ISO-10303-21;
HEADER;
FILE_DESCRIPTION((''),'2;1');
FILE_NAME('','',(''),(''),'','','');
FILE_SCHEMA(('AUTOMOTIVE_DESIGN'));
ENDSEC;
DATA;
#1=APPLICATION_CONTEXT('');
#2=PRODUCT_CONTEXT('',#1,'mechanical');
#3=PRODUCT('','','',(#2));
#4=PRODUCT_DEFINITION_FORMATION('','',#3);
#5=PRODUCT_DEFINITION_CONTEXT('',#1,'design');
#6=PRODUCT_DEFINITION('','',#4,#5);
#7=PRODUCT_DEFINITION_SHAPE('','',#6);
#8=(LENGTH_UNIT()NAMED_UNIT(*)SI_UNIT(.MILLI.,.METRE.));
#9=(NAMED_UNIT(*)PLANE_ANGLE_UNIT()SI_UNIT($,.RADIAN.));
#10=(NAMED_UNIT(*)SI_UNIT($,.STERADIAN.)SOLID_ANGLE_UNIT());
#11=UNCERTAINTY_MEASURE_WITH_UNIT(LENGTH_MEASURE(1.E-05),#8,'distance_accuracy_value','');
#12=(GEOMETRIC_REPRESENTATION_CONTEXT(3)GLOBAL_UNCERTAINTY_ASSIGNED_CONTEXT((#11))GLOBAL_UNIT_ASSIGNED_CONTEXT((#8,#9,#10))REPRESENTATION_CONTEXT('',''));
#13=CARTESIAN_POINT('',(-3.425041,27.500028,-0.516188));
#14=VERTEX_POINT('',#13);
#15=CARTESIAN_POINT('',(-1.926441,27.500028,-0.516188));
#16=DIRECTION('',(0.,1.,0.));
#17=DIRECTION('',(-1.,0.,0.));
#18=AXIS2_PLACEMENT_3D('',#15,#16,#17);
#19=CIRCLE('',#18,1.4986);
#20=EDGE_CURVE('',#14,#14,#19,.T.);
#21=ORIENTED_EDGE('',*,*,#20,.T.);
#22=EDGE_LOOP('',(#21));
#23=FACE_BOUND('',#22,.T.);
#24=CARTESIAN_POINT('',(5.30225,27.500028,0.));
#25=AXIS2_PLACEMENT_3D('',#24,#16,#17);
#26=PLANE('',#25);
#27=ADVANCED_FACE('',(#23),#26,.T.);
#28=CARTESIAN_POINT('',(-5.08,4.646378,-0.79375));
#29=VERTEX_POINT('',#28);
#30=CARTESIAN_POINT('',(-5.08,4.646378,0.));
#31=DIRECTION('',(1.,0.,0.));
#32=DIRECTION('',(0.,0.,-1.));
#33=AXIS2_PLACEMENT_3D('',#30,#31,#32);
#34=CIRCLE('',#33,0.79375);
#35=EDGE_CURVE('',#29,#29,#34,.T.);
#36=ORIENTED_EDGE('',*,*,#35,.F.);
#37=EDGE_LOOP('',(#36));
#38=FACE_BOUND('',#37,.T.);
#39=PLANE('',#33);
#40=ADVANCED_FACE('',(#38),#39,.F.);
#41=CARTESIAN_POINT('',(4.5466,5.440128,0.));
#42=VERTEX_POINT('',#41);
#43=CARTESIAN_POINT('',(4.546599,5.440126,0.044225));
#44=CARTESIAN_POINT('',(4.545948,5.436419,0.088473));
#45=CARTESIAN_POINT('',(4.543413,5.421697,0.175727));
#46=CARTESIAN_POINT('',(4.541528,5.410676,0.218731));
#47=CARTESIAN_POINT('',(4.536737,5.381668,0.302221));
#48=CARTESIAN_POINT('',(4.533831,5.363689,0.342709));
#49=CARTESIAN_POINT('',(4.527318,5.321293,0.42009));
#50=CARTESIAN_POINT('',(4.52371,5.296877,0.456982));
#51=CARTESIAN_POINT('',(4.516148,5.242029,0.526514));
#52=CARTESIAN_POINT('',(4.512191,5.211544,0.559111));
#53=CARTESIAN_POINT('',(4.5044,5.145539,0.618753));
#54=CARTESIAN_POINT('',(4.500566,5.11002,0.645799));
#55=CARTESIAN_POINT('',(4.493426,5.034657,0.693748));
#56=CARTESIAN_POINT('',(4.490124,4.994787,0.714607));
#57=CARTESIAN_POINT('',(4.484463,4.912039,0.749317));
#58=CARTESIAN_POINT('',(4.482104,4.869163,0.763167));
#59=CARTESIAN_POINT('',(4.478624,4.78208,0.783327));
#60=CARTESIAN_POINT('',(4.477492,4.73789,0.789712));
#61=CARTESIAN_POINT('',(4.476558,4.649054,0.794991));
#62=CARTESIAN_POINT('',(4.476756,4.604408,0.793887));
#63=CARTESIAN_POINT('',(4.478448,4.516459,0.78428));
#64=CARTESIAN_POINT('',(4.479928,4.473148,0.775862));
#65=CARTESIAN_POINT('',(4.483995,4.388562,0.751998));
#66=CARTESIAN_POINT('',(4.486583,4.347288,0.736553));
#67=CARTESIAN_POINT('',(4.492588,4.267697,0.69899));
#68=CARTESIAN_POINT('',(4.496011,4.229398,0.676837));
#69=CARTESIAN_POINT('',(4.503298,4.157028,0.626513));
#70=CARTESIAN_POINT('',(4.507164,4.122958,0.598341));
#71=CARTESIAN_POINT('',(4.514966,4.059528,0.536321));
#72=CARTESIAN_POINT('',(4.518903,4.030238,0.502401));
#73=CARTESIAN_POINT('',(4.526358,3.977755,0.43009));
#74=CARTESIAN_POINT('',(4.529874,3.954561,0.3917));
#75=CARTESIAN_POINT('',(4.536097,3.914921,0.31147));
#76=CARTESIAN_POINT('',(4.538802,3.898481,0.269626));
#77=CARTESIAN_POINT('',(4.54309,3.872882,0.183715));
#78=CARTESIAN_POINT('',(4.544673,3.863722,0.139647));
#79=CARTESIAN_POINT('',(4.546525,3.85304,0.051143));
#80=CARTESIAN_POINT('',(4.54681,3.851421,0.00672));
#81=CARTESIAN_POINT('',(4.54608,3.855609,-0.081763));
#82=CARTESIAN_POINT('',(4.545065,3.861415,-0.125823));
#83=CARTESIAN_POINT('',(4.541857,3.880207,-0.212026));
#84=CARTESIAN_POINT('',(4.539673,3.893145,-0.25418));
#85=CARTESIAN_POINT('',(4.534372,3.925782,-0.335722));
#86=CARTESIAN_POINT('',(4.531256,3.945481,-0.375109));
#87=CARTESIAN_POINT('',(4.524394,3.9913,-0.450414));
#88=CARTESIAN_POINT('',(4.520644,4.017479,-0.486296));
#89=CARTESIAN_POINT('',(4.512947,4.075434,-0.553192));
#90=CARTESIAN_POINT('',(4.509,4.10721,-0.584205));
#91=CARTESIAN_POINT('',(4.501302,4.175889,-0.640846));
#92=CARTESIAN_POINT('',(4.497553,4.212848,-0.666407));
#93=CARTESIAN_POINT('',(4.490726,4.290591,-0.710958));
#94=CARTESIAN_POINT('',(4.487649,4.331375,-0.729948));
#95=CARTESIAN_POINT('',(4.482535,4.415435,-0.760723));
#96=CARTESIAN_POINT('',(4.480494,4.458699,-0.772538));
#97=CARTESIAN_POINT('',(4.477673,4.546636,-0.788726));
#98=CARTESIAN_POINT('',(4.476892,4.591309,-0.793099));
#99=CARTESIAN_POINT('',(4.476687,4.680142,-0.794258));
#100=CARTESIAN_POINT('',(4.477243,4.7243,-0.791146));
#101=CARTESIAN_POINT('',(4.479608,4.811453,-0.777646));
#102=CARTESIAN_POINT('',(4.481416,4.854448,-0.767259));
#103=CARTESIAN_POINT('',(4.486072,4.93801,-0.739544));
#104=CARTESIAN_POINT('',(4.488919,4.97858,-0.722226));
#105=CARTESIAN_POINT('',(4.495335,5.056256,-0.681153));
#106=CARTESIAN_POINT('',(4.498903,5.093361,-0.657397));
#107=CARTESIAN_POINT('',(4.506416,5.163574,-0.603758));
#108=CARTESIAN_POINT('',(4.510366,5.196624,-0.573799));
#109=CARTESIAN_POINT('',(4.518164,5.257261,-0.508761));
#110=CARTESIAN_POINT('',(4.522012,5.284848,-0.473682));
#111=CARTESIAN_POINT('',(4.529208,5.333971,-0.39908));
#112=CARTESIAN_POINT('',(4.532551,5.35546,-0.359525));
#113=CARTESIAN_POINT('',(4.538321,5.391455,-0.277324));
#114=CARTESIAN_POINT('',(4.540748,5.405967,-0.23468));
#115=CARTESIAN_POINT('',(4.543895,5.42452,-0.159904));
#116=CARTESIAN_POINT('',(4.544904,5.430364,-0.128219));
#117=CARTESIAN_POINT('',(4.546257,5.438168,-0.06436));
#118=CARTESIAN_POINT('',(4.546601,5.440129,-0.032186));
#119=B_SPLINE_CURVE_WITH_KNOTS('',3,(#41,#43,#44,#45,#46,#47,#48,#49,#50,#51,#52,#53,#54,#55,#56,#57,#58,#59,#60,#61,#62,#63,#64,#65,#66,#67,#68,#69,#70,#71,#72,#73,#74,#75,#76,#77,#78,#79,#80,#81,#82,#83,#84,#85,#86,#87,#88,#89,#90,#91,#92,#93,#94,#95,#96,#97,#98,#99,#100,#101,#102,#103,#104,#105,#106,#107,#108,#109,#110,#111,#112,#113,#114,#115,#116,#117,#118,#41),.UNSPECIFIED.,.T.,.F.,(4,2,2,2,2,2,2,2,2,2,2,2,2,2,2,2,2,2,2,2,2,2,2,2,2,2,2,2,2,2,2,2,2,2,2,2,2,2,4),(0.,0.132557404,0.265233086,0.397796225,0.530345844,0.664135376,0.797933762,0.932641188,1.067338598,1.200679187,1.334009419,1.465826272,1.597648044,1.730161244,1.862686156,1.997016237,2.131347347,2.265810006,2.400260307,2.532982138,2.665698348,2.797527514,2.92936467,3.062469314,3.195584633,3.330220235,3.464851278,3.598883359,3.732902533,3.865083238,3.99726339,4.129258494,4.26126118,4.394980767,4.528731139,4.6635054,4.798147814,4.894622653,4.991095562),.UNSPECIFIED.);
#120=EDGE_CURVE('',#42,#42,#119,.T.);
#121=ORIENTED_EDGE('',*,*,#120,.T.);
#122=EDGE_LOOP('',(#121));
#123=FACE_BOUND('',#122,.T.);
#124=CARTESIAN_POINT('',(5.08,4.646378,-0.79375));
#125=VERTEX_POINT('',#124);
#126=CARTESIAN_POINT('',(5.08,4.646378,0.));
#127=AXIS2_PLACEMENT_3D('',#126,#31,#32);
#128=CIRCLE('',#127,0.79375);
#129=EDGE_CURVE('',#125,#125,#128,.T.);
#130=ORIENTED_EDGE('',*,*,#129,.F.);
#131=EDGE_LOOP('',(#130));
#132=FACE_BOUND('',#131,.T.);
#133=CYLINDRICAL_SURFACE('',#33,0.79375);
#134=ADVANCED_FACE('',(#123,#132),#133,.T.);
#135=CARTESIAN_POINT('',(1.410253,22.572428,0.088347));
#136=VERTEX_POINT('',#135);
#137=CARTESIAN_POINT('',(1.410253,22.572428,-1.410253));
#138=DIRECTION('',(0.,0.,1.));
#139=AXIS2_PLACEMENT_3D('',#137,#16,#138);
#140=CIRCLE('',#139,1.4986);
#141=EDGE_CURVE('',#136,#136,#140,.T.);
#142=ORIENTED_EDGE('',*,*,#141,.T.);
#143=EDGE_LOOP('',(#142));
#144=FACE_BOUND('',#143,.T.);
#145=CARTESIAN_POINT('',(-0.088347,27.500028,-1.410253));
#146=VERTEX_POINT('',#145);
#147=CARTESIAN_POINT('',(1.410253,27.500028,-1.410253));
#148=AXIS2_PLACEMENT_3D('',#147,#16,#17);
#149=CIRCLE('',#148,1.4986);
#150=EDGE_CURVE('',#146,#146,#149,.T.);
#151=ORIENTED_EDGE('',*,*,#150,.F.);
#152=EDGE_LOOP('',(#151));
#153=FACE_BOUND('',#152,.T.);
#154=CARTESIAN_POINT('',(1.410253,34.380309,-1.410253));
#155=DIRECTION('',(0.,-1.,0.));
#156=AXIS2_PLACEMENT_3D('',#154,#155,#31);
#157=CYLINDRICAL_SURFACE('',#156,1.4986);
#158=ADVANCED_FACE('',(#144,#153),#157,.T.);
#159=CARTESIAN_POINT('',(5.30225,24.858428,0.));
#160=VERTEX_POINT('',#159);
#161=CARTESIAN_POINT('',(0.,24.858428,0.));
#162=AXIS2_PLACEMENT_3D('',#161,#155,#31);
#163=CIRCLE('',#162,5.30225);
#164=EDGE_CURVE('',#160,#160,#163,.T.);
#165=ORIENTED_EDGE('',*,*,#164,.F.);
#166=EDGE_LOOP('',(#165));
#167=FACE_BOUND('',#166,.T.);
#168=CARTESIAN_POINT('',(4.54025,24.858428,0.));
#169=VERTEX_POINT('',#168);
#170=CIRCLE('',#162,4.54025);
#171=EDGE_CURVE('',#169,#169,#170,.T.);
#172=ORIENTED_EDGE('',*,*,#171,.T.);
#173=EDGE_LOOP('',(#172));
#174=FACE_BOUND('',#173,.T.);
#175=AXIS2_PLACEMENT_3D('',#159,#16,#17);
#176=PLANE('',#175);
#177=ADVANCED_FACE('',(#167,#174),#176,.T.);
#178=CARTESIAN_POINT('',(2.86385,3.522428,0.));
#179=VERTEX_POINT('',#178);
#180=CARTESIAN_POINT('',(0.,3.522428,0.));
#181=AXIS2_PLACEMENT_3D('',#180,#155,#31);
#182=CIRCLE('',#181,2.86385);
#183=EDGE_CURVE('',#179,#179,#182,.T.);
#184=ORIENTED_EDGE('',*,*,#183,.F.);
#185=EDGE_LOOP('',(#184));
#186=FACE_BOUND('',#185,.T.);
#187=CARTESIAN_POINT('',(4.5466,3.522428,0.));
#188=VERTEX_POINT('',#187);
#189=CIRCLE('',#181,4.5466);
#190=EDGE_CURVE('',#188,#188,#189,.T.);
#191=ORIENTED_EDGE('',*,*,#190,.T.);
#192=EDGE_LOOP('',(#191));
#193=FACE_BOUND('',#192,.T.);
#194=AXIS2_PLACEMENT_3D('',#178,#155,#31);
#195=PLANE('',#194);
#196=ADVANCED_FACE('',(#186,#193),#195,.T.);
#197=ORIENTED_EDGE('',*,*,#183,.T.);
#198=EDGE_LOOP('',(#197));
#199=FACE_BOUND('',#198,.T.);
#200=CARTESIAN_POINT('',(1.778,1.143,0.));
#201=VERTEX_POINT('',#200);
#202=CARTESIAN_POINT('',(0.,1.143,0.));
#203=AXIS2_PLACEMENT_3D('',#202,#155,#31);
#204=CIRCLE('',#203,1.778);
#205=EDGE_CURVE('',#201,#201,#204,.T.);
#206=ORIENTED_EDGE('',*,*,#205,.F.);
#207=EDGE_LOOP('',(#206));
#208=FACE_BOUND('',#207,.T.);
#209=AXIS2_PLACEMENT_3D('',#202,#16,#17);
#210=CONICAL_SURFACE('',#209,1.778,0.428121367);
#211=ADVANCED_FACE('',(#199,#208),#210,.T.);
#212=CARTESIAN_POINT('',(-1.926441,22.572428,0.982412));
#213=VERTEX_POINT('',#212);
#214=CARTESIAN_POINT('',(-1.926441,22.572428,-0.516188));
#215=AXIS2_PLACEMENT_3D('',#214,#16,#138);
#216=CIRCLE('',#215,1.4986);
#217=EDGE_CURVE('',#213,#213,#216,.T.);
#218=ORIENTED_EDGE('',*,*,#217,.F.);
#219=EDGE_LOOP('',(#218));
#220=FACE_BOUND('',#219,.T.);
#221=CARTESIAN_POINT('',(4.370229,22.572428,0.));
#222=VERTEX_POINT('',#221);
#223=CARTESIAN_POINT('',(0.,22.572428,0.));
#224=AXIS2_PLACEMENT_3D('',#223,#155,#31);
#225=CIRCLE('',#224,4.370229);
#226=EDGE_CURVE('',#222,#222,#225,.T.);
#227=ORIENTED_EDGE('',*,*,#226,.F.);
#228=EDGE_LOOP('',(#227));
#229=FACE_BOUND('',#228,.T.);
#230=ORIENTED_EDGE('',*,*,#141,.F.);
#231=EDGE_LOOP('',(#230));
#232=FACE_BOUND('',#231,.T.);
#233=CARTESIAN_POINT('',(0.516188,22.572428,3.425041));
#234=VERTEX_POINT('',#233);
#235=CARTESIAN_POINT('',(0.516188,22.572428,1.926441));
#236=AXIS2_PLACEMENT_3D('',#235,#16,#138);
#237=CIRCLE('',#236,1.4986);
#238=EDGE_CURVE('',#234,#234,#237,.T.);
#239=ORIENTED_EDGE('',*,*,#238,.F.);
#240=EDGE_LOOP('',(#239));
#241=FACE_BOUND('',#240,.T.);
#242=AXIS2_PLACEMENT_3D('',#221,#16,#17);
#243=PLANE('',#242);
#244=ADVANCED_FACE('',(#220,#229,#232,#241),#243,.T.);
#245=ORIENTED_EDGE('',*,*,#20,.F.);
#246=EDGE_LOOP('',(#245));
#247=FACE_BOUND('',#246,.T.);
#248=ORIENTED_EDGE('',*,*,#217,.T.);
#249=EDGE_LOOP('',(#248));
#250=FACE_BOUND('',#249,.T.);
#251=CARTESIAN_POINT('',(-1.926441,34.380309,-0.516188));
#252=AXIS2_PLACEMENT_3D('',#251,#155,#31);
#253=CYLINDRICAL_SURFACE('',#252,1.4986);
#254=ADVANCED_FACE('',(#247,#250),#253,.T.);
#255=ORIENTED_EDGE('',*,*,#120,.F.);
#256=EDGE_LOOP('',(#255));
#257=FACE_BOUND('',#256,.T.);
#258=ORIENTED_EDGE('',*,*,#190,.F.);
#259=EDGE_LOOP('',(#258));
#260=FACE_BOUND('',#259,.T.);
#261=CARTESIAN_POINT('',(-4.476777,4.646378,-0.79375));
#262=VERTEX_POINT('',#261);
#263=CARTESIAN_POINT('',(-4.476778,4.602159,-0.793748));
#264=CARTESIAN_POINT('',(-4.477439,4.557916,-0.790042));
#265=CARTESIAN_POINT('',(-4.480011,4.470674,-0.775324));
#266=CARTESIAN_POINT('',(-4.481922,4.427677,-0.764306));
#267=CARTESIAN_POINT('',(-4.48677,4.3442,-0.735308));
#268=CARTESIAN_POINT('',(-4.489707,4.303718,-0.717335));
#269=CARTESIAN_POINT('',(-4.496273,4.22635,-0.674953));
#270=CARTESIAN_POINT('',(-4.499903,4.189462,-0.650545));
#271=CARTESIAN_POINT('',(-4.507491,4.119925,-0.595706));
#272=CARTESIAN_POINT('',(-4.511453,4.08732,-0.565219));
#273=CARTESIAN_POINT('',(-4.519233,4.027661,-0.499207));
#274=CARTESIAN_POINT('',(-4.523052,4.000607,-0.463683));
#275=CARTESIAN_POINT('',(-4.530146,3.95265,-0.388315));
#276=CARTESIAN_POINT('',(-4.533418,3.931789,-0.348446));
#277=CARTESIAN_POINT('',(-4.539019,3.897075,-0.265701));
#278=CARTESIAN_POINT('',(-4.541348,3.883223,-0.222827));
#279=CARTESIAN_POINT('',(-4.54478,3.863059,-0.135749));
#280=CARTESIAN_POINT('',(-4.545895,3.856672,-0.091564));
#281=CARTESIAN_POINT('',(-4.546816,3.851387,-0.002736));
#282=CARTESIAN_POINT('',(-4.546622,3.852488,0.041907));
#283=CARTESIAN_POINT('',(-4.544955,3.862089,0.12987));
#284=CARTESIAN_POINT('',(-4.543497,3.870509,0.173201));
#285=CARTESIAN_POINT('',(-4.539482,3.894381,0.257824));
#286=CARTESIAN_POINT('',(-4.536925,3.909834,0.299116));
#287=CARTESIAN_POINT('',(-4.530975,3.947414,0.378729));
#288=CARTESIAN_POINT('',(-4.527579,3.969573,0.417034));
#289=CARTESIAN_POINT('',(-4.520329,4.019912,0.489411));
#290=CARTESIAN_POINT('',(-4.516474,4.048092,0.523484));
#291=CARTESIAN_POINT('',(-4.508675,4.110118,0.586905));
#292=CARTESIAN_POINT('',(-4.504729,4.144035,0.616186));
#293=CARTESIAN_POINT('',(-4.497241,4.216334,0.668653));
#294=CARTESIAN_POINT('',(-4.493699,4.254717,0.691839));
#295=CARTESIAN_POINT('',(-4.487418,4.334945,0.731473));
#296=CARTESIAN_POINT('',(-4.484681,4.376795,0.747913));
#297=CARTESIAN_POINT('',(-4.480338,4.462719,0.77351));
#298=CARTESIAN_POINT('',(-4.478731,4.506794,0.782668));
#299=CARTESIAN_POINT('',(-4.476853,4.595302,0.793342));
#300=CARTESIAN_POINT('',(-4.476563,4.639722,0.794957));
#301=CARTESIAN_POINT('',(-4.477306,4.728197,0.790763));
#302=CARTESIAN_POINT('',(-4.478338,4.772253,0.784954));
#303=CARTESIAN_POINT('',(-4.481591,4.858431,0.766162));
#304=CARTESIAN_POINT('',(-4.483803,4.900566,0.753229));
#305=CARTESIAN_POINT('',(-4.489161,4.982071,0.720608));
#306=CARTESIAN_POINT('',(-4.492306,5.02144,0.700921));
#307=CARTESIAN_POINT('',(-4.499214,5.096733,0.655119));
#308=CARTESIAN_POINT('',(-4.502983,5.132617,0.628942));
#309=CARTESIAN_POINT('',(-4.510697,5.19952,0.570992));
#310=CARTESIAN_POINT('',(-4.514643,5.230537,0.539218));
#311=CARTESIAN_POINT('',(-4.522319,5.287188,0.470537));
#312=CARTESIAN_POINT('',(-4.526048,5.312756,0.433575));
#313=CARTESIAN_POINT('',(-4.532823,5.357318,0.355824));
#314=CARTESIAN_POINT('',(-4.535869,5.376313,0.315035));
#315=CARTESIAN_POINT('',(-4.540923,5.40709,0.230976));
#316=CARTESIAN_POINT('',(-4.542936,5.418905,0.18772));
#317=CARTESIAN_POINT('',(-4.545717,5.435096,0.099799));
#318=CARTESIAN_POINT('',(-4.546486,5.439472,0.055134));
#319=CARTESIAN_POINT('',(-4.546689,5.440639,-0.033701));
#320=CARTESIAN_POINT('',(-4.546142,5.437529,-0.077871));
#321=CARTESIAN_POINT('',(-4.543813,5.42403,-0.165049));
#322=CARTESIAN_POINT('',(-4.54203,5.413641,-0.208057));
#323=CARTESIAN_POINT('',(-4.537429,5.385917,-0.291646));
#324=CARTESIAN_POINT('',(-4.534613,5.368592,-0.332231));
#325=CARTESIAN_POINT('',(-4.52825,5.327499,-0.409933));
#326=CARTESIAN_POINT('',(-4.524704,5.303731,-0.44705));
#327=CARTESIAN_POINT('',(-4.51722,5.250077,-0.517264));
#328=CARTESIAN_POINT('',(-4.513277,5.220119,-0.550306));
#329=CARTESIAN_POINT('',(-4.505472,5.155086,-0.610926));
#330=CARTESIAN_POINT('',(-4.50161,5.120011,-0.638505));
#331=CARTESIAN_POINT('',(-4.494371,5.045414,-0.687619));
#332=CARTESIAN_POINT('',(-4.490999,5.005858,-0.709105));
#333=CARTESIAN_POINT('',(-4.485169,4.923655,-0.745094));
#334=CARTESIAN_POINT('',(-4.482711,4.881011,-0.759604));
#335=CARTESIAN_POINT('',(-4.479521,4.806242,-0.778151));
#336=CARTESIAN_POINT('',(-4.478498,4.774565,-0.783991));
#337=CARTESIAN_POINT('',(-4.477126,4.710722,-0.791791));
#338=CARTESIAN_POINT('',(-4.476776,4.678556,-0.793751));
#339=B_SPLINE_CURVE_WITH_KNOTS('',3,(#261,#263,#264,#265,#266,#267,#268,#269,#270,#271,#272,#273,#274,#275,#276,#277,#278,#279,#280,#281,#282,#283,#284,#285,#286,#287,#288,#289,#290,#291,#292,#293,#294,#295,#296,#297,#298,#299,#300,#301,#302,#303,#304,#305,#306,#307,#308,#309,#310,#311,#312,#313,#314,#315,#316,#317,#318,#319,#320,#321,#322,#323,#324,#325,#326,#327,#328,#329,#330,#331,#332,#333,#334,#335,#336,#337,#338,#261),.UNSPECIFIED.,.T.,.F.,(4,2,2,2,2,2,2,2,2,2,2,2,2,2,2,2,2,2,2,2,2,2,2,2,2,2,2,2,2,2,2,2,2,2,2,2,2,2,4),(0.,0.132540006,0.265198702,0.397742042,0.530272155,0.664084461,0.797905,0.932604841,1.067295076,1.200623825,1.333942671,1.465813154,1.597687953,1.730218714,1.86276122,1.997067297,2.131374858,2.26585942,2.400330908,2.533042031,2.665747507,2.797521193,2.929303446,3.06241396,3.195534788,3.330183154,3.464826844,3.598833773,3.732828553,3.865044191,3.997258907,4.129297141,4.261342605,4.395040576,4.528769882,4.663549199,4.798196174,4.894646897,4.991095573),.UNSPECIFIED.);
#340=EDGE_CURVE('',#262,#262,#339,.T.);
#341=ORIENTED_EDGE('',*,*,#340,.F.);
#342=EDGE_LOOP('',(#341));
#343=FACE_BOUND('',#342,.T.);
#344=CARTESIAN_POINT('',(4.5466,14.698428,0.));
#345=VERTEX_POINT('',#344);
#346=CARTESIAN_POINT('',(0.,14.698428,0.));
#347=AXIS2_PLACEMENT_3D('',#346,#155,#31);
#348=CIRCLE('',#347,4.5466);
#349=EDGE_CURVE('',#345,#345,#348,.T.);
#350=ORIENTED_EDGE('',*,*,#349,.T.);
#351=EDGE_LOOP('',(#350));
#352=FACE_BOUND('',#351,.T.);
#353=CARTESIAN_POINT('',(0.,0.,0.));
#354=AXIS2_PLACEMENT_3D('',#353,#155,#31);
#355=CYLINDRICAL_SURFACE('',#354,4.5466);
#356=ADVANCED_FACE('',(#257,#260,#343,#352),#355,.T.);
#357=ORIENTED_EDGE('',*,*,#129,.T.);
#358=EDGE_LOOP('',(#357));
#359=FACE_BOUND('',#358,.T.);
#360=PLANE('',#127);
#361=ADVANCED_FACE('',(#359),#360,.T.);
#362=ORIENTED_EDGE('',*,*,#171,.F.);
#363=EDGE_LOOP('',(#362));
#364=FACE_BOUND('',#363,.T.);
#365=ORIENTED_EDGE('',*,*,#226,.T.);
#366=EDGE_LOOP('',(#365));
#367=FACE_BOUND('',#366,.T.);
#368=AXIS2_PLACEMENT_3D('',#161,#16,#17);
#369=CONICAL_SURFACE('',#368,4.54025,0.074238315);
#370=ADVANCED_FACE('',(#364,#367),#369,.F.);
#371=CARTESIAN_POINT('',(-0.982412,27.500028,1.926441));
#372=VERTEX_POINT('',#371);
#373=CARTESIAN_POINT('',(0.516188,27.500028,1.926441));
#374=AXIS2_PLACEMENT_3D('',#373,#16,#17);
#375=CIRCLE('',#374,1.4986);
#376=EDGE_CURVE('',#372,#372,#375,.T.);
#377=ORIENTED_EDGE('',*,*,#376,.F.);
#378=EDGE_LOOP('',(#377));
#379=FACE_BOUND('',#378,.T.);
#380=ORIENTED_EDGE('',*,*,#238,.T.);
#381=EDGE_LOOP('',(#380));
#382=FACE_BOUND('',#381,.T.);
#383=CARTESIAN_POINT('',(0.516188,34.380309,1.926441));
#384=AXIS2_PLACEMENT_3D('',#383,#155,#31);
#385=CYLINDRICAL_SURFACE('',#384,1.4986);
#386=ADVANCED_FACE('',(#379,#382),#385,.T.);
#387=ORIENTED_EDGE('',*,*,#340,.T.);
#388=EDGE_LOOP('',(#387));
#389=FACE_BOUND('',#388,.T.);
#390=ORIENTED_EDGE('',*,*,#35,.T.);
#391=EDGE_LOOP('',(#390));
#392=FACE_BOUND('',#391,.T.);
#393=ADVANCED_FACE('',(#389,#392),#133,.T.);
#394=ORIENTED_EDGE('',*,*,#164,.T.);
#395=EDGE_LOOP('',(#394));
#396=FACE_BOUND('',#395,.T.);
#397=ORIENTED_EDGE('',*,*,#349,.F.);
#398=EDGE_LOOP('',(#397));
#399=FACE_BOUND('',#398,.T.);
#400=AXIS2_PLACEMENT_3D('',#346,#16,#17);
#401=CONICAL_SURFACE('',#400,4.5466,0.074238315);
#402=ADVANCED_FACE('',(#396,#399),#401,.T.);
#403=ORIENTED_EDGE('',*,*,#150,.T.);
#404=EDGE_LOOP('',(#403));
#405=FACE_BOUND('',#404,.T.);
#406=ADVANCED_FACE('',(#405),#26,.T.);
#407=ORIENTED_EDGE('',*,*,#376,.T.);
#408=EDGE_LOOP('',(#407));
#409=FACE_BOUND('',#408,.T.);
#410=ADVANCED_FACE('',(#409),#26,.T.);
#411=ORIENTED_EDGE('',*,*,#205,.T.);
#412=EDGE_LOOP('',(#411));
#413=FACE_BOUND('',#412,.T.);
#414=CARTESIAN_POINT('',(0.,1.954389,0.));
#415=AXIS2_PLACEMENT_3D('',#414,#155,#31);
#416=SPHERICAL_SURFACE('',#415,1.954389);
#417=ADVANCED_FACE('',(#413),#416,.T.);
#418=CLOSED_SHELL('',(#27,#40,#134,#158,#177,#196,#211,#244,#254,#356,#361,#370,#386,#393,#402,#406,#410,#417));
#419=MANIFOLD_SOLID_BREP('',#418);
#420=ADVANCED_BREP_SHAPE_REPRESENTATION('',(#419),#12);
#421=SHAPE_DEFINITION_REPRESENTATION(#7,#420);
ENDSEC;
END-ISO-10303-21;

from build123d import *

# Parameters (mm, degrees)
BOSS_EXTRUDE1_DEPTH      = 5.08
BOSS_EXTRUDE1_DEPTH_BACK = 5.08
SKETCH2_R                = 0.79375
SKETCH3_R                = 1.4986
BOSS_EXTRUDE3_DEPTH      = 4.9276


with BuildPart() as part:
    # Sketch1 → Revolve1 (revolve)
    with BuildSketch(Plane.XY):
        with BuildLine():
            Line((0, 0), (0, 22.572427826))
            Line((0, 22.572427826), (4.37022875, 22.572427826))
            Line((4.37022875, 22.572427826), (4.54025, 24.858427826))
            Line((4.54025, 24.858427826), (5.30225, 24.858427826))
            Line((5.30225, 24.858427826), (4.5466, 14.698427826))
            Line((4.5466, 14.698427826), (4.5466, 3.522427826))
            Line((4.5466, 3.522427826), (2.86385, 3.522427826))
            Line((2.86385, 3.522427826), (1.778, 1.143))
            ThreePointArc((1.778, 1.143), (1.056850628, 0.310399023), (0, 0))
        make_face()
    revolve(axis=Axis((0, 0, 0), (0, 1, 0)))

    # Sketch2 → Boss-Extrude1 (add, two sides: drawn at the far end of the back side and taken through both)
    with BuildSketch(Plane(origin=(0, 0, 0), x_dir=(0, 0, -1), z_dir=(1, 0, 0)).offset(-BOSS_EXTRUDE1_DEPTH_BACK)):
        with Locations((0, 4.646377826)):
            Circle(SKETCH2_R)
    extrude(amount=BOSS_EXTRUDE1_DEPTH + BOSS_EXTRUDE1_DEPTH_BACK)

    # Sketch3 → Boss-Extrude3 (add)
    with BuildSketch(Plane(origin=(0, 22.572427826, 0), x_dir=(1, 0, 0), z_dir=(0, 1, 0))):
        with Locations(Location((-1.92644128, 0.516188385, 0), (0, 0, 270))):
            Circle(SKETCH3_R)
        with Locations(Location((1.410252895, 1.410252895, 0), (0, 0, 270))):
            Circle(SKETCH3_R)
        with Locations(Location((0.516188385, -1.92644128, 0), (0, 0, 270))):
            Circle(SKETCH3_R)
    extrude(amount=BOSS_EXTRUDE3_DEPTH)


solid = part.part
